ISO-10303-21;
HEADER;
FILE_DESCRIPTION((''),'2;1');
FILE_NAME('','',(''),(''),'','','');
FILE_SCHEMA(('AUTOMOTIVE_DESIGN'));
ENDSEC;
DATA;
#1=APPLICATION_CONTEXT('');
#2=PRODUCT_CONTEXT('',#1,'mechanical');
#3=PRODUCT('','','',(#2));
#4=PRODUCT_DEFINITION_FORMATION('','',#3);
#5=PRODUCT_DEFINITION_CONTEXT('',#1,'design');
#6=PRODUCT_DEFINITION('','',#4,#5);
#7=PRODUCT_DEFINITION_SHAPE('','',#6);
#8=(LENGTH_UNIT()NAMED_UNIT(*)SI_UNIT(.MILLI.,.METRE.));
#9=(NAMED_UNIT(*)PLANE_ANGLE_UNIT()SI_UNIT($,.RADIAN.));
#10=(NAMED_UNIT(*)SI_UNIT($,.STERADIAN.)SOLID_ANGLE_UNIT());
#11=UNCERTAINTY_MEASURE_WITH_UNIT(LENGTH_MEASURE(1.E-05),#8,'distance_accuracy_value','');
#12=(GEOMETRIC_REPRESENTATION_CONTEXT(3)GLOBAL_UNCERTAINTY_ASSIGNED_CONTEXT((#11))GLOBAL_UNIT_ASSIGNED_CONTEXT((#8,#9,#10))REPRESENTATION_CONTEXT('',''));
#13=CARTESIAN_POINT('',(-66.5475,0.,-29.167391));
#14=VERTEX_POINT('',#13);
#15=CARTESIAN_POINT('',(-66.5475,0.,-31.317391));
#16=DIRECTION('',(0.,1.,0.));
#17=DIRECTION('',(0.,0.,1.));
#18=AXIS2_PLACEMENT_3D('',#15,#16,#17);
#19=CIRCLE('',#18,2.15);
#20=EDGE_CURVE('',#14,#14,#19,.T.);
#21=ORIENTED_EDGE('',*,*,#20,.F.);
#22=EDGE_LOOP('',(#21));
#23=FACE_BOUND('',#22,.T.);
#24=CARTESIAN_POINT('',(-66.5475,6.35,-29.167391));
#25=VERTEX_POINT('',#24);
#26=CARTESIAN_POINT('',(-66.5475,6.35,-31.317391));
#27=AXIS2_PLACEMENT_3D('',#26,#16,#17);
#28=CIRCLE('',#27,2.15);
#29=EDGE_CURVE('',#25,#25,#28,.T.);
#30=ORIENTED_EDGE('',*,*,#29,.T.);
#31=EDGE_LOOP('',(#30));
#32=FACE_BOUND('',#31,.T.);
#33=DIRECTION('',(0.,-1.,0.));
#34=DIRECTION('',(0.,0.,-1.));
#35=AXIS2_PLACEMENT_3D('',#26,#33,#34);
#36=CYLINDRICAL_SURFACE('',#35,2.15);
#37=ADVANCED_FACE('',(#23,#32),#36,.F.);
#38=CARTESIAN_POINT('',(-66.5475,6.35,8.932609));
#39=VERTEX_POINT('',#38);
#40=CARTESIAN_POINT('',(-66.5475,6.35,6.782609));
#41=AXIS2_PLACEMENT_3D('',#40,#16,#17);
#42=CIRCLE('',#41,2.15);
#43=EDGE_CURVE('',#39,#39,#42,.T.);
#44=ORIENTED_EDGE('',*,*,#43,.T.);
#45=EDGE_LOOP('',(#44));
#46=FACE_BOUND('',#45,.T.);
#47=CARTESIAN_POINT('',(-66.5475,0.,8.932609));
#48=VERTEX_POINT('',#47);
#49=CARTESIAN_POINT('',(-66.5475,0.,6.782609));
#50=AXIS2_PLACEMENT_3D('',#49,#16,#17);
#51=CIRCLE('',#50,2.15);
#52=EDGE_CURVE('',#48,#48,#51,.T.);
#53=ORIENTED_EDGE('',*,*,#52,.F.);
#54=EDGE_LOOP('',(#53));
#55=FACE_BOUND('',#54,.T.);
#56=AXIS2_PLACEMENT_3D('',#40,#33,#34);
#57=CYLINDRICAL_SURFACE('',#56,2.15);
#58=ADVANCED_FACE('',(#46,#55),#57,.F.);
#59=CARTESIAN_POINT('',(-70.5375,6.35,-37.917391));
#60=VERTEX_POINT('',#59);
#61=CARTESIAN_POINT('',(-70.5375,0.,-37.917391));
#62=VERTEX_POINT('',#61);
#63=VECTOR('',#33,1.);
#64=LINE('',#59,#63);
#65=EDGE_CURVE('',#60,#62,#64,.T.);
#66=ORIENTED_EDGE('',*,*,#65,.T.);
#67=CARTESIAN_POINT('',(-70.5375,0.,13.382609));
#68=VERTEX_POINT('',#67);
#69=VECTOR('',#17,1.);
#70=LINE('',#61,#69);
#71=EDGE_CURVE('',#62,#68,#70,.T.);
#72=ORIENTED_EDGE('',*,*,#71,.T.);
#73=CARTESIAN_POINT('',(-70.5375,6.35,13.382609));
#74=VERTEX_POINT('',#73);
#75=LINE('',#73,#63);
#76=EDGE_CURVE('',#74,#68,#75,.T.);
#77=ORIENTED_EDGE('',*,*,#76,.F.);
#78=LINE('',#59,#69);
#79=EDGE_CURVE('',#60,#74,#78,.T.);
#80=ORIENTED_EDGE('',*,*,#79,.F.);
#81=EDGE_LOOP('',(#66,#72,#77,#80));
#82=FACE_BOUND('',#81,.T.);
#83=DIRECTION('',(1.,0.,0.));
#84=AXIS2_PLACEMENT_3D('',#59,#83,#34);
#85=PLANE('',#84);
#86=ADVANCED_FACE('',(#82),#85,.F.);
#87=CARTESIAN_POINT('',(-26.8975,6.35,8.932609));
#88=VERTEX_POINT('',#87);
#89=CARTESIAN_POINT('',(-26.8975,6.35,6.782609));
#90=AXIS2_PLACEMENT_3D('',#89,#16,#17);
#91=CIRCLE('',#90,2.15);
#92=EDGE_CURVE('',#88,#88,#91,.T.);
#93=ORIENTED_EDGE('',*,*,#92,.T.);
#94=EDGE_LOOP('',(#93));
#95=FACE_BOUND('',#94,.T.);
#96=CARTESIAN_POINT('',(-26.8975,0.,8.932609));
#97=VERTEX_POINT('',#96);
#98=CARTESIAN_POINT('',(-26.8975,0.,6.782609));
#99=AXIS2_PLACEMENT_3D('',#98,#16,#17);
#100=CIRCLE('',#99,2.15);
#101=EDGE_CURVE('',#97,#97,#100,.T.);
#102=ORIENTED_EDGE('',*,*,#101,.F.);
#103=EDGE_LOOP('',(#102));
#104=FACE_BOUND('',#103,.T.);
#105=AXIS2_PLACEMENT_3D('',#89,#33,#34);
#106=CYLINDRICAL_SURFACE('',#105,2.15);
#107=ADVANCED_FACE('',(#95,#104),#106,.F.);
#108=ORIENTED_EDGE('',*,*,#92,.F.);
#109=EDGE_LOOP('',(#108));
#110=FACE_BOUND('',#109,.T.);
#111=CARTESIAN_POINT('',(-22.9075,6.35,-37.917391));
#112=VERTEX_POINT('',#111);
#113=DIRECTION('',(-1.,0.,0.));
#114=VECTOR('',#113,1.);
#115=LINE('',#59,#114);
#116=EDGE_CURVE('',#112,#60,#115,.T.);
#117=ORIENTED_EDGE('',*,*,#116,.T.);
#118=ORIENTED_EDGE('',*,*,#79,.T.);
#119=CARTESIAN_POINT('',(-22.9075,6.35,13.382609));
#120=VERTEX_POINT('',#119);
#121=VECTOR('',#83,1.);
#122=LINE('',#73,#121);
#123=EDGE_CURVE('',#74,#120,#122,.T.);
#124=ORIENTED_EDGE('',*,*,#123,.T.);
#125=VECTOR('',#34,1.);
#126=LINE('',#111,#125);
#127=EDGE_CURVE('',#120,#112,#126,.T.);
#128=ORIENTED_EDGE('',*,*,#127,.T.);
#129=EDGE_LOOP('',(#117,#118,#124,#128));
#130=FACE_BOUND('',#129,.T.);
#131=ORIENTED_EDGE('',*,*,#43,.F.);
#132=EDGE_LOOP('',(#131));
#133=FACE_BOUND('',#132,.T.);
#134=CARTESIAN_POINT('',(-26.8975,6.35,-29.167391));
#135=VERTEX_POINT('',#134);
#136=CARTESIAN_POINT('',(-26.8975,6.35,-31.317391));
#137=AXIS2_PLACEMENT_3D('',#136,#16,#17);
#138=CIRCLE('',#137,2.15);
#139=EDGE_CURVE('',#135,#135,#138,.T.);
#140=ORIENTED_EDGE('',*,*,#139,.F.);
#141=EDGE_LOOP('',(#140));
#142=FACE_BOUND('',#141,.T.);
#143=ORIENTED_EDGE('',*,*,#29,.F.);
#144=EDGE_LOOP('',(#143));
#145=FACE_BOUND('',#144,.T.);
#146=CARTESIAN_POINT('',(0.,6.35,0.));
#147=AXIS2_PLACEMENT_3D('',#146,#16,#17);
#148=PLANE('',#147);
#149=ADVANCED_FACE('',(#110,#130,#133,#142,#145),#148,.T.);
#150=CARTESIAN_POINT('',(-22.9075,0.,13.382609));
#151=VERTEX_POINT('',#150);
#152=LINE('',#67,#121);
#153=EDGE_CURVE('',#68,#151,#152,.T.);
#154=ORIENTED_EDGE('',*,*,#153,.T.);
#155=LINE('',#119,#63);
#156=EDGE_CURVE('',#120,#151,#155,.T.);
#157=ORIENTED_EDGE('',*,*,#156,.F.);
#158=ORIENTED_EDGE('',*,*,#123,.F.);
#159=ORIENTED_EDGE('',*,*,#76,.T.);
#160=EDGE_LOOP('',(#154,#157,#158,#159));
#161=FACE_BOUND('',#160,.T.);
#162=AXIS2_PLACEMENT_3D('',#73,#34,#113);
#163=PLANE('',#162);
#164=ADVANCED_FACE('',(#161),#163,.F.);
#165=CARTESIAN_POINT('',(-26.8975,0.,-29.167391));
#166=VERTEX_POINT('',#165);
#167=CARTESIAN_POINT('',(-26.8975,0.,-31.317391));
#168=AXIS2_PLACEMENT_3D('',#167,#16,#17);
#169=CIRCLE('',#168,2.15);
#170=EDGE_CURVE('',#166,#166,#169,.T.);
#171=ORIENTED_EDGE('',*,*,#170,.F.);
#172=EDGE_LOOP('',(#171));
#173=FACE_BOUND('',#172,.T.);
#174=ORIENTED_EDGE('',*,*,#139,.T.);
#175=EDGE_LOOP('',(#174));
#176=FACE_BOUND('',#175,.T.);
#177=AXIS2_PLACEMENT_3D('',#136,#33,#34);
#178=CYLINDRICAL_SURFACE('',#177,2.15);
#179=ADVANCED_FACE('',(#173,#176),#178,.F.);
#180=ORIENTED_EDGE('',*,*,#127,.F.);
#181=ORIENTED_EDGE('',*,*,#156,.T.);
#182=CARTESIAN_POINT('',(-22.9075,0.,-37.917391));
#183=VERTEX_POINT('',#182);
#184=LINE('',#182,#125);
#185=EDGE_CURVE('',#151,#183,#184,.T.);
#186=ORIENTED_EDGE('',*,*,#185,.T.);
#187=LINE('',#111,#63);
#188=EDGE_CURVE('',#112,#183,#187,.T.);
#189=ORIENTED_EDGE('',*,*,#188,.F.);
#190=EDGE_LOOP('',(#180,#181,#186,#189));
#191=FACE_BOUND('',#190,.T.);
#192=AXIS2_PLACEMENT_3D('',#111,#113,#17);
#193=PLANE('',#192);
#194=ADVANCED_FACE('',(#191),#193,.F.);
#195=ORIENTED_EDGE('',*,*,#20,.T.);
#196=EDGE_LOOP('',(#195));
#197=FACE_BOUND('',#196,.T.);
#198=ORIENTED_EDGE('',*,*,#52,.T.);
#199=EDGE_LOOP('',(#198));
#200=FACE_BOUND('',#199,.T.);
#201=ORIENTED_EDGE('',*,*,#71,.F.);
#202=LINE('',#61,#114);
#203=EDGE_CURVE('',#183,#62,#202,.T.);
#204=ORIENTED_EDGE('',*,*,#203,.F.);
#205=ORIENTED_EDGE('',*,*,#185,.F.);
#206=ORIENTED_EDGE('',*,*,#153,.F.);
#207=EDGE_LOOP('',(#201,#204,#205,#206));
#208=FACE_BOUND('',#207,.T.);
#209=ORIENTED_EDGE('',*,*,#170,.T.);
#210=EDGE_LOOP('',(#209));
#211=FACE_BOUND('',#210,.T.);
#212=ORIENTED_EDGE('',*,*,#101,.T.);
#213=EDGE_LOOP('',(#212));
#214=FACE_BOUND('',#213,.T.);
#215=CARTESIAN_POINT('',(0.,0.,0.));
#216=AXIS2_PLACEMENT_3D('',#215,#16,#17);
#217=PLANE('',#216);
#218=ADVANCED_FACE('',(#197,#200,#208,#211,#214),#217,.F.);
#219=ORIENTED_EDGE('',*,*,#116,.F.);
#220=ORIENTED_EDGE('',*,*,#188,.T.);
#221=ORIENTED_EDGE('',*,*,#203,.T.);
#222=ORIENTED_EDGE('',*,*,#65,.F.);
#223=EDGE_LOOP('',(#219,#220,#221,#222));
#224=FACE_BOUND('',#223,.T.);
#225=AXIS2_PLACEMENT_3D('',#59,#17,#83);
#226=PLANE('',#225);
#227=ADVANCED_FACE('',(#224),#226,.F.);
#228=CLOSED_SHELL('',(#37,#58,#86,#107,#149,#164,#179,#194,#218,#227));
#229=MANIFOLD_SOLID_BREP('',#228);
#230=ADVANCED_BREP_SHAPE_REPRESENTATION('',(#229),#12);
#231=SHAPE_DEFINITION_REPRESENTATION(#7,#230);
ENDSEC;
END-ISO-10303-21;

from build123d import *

# Parameters (mm, degrees)
SKETCH1_W           = 47.63
SKETCH1_H           = 51.3
SKETCH1_R           = 2.15
BOSS_EXTRUDE1_DEPTH = 6.35


with BuildPart() as part:
    # Sketch1 → Boss-Extrude1 (new body)
    with BuildSketch(Plane(origin=(0, 0, 0), x_dir=(1, 0, 0), z_dir=(0, 1, 0))):
        with Locations((-46.7225, 12.267391304)):
            Rectangle(SKETCH1_W, SKETCH1_H)
        with Locations(Location((-66.5475, 31.317391304, 0), (0, 0, 270))):
            Circle(SKETCH1_R, mode=Mode.SUBTRACT)
        with Locations(Location((-26.8975, 31.317391304, 0), (0, 0, 270))):
            Circle(SKETCH1_R, mode=Mode.SUBTRACT)
        with Locations(Location((-66.5475, -6.782608696, 0), (0, 0, 270))):
            Circle(SKETCH1_R, mode=Mode.SUBTRACT)
        with Locations(Location((-26.8975, -6.782608696, 0), (0, 0, 270))):
            Circle(SKETCH1_R, mode=Mode.SUBTRACT)
    extrude(amount=BOSS_EXTRUDE1_DEPTH)


solid = part.part
